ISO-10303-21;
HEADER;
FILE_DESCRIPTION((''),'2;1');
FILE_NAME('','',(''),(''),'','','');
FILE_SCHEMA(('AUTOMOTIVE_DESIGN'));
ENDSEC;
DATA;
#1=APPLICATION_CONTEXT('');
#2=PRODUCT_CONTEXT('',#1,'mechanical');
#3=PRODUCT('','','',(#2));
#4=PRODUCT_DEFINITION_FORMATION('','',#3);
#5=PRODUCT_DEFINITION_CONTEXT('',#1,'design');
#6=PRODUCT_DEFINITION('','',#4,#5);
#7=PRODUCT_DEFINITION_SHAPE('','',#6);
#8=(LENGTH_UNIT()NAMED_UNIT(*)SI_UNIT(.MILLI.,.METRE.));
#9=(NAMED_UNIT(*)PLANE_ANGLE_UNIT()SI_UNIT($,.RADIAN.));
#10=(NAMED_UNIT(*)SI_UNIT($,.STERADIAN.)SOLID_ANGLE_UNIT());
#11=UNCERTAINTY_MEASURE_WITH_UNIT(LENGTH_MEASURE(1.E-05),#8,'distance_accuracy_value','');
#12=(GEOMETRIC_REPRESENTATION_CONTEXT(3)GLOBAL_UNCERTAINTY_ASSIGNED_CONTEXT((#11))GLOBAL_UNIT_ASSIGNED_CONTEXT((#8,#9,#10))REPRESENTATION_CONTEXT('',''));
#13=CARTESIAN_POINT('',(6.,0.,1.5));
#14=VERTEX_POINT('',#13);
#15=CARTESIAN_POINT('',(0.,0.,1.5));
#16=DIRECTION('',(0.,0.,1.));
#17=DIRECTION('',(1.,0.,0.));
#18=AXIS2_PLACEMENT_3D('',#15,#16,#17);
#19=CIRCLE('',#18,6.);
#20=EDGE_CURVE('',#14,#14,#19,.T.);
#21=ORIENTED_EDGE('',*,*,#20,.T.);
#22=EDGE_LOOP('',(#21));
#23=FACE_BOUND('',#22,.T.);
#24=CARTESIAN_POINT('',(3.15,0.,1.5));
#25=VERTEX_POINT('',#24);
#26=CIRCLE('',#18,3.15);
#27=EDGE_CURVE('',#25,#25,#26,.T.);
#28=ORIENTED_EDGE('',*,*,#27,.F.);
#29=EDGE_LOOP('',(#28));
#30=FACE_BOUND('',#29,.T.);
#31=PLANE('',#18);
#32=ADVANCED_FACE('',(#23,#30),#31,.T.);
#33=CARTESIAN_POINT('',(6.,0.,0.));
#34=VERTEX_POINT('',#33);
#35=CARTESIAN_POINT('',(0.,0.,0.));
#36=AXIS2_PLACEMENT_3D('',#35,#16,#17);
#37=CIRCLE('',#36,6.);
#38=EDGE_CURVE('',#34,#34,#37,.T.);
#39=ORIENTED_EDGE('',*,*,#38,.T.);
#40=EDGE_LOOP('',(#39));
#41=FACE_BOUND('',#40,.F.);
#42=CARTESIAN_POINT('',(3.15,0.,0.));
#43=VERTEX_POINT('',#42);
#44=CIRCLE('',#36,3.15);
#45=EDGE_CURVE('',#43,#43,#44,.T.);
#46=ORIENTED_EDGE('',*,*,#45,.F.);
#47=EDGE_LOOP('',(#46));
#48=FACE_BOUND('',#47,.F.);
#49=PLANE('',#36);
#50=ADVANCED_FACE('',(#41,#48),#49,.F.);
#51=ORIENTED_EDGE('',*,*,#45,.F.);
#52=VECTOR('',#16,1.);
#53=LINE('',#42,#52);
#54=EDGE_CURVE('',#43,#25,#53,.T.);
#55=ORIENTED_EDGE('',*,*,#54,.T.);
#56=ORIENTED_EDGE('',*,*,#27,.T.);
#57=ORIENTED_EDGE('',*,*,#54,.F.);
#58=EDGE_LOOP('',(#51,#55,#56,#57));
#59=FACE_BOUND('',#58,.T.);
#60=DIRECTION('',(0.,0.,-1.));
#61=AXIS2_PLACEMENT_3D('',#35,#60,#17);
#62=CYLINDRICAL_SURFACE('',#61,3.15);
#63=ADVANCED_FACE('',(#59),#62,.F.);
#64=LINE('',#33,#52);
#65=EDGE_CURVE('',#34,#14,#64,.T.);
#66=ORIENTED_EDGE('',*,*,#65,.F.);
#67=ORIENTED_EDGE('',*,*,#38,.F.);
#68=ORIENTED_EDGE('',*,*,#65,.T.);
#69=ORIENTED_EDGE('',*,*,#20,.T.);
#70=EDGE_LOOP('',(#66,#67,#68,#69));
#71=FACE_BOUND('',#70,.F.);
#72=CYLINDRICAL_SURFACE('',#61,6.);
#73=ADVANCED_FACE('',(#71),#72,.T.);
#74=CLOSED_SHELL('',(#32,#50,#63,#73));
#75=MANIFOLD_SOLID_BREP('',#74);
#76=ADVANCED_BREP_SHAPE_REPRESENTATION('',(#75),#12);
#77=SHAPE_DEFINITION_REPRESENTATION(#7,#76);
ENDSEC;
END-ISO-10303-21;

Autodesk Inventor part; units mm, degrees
ref_plane "YZ Plane" through (0, 0, 0) normal (1, 0, 0) x (0, 1, 0)
ref_plane "XZ Plane" through (0, 0, 0) normal (0, 1, 0) x (-1, 0, 0)
ref_plane "XY Plane" through (0, 0, 0) normal (0, 0, 1) x (1, 0, 0)
sketch "スケッチ1" plane through (0, 0, 0) normal (0, 0, 1) x (1, 0, 0)
  circle A0 centre (0, 0) radius 3.15
  circle A1 centre (0, 0) radius 6
  dimension "d0" = 6.3
  dimension "d1" = 12
extrude "押し出し1" add sketch "スケッチ1" along normal blind 1.5
properties part number "CC-0612-15B" material "アセタール樹脂、黒"
